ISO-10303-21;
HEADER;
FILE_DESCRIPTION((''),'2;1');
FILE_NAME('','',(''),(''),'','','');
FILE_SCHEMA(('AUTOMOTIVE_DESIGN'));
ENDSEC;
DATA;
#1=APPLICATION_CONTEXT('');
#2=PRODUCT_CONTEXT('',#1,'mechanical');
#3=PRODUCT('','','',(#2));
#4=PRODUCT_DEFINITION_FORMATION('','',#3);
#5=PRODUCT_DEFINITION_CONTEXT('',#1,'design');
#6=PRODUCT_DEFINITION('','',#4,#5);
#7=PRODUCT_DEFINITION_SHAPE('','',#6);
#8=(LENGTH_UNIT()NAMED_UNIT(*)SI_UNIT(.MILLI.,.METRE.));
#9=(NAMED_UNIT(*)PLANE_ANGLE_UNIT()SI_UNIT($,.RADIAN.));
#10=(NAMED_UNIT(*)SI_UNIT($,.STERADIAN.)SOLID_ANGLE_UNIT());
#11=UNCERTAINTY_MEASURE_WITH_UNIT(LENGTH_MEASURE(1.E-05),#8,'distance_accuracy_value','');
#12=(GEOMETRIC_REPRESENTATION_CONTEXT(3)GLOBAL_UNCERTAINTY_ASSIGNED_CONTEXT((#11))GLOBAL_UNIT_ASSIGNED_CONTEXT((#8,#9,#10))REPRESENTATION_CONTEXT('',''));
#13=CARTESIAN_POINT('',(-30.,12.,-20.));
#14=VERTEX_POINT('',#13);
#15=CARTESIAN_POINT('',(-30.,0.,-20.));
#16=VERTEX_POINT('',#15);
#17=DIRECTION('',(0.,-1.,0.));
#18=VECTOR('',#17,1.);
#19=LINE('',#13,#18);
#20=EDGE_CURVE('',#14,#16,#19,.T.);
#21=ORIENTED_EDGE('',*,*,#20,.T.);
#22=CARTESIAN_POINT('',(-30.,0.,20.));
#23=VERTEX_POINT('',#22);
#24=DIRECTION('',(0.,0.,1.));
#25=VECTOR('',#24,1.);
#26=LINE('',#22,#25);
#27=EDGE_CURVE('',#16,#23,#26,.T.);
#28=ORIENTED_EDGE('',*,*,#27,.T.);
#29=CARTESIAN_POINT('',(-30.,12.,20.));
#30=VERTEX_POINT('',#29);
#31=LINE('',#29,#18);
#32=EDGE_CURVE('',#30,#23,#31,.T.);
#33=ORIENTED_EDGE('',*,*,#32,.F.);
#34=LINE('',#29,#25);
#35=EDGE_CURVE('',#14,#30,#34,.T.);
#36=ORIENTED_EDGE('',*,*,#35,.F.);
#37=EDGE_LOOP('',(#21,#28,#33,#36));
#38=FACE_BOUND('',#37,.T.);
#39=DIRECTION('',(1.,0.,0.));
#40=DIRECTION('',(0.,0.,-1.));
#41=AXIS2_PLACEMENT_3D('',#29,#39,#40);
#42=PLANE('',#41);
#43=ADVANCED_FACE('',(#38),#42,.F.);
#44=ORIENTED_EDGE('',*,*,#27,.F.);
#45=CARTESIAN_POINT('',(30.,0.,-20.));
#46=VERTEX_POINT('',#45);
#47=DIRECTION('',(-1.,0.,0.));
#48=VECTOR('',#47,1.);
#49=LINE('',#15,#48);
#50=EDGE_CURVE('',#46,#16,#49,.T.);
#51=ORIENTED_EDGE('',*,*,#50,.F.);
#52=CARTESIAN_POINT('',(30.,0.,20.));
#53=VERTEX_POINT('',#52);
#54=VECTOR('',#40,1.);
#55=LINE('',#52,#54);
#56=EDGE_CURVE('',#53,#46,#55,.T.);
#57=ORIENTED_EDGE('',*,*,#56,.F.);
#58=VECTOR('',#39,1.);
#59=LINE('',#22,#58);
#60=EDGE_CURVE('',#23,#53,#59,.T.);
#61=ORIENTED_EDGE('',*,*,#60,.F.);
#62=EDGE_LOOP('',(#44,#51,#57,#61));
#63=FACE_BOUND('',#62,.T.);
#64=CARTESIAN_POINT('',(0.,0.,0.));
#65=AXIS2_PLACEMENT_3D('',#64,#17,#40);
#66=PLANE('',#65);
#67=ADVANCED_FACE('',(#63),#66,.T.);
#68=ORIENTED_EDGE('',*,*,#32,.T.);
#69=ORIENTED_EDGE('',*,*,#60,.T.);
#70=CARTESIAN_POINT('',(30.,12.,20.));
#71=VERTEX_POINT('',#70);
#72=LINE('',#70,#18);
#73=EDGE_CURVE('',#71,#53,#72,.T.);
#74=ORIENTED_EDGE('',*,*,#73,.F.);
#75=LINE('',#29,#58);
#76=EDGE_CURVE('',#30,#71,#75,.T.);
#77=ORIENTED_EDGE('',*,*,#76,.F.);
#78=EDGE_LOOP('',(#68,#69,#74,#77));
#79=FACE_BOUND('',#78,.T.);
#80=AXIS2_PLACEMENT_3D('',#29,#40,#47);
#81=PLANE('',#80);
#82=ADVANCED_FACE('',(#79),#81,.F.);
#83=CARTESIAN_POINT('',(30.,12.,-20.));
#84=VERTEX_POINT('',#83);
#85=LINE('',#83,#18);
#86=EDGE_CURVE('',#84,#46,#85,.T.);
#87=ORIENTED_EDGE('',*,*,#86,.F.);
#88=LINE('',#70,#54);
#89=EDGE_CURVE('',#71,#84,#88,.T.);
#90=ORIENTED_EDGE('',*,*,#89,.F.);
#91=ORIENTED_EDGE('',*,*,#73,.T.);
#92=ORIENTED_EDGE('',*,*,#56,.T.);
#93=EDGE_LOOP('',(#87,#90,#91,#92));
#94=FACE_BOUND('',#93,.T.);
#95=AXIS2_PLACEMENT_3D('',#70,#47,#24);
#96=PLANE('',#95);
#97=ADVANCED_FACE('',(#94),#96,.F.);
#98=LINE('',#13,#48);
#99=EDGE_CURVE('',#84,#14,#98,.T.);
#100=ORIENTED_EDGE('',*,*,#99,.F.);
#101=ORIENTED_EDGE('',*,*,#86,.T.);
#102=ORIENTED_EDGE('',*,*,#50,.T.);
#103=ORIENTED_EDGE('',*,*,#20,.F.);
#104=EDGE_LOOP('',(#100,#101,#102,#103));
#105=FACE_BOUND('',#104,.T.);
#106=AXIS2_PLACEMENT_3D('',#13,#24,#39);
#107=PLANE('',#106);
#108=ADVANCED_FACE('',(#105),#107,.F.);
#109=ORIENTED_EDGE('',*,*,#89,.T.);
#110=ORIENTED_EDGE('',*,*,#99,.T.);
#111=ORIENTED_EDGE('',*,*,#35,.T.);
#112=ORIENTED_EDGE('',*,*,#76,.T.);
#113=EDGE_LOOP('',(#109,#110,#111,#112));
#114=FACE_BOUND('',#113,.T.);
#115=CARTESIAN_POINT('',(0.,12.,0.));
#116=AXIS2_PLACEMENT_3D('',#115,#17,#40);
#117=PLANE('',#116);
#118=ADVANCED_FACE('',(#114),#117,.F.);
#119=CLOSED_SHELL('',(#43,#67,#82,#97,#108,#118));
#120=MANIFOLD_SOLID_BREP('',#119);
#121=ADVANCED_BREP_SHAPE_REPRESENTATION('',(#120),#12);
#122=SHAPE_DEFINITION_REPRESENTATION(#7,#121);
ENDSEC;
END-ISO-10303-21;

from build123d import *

# Parameters (mm, degrees)
ESBO_O1_W                = 60
ESBO_O1_H                = 40
RESSALTO_EXTRUS_O1_DEPTH = 12


with BuildPart() as part:
    # Esboço1 → Ressalto-extrusão1 (new body)
    with BuildSketch(Plane(origin=(0, 0, 0), x_dir=(1, 0, 0), z_dir=(0, 1, 0))):
        Rectangle(ESBO_O1_W, ESBO_O1_H)
    extrude(amount=RESSALTO_EXTRUS_O1_DEPTH)


solid = part.part
